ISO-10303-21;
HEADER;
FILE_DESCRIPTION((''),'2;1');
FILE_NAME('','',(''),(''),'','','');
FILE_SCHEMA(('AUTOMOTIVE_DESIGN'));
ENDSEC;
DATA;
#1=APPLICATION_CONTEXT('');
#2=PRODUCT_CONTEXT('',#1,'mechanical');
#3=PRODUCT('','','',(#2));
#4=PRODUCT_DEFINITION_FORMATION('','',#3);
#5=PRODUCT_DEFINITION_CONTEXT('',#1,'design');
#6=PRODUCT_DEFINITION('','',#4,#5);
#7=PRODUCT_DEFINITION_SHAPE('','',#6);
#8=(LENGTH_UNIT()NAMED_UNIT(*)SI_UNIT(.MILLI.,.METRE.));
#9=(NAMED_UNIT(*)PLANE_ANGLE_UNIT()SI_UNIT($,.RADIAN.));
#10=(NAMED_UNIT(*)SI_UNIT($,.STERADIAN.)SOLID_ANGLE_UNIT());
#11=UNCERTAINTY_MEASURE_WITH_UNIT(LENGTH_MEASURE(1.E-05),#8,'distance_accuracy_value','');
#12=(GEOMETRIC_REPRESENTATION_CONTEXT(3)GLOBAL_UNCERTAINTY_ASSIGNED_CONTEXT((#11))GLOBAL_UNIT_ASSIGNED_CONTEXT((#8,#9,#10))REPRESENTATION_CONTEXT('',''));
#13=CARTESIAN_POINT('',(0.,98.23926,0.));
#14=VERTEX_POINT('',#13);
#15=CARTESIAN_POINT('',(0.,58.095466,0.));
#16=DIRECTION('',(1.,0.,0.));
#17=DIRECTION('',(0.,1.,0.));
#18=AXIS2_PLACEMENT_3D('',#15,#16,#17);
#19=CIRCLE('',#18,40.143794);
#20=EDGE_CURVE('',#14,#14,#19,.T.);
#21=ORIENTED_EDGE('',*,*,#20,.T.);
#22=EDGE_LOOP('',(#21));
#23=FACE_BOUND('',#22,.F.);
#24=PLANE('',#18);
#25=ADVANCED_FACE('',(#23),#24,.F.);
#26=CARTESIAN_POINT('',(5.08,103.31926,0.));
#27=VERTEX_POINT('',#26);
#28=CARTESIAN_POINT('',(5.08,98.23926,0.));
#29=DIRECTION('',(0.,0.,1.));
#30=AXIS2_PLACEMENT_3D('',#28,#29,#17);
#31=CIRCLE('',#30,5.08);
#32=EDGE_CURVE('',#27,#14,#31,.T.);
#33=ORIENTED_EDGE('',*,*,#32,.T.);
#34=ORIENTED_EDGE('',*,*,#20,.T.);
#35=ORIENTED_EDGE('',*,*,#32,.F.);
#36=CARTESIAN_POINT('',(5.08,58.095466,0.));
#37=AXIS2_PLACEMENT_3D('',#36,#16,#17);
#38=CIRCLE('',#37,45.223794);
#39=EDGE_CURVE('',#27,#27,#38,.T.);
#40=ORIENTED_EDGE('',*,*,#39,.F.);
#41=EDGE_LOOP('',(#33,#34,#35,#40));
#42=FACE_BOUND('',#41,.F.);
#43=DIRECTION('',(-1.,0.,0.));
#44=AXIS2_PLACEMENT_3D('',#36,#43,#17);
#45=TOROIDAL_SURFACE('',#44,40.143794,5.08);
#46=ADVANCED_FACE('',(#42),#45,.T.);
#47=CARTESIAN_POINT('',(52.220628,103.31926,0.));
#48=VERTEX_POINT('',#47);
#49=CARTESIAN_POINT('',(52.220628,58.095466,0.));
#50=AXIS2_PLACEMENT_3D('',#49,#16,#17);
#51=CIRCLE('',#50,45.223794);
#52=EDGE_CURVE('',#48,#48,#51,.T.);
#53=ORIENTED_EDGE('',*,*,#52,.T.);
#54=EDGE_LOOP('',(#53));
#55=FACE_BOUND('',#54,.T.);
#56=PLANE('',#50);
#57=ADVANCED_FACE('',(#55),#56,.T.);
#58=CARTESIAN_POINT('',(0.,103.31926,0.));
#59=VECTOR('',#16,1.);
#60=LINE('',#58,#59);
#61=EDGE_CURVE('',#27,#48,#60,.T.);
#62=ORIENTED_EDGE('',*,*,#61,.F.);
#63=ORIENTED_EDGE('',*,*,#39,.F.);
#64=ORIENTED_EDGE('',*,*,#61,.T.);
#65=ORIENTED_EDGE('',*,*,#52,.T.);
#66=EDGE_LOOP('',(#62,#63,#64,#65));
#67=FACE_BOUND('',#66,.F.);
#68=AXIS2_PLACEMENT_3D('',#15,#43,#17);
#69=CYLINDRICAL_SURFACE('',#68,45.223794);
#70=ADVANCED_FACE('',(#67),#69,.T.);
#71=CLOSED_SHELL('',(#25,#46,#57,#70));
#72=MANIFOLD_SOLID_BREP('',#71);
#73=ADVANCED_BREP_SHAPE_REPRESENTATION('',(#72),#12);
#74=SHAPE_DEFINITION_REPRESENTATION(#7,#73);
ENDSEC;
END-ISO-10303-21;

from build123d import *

# Parameters (mm, degrees)
F0_R     = 45.223794
F1_DEPTH = 52.220628
F2_R     = 5.08


with BuildPart() as f1:
    # F0 (on Right) → F1 (new body)
    with BuildSketch(Plane.YZ):
        with Locations((58.095466, 0)):
            Circle(F0_R)
    extrude(amount=F1_DEPTH)

    # F2
    f2_edges = [f1.edges().sort_by_distance(p)[0] for p in [
        (0, 12.871673, 0),
    ]]
    fillet(f2_edges, radius=F2_R)


solid = f1.part
